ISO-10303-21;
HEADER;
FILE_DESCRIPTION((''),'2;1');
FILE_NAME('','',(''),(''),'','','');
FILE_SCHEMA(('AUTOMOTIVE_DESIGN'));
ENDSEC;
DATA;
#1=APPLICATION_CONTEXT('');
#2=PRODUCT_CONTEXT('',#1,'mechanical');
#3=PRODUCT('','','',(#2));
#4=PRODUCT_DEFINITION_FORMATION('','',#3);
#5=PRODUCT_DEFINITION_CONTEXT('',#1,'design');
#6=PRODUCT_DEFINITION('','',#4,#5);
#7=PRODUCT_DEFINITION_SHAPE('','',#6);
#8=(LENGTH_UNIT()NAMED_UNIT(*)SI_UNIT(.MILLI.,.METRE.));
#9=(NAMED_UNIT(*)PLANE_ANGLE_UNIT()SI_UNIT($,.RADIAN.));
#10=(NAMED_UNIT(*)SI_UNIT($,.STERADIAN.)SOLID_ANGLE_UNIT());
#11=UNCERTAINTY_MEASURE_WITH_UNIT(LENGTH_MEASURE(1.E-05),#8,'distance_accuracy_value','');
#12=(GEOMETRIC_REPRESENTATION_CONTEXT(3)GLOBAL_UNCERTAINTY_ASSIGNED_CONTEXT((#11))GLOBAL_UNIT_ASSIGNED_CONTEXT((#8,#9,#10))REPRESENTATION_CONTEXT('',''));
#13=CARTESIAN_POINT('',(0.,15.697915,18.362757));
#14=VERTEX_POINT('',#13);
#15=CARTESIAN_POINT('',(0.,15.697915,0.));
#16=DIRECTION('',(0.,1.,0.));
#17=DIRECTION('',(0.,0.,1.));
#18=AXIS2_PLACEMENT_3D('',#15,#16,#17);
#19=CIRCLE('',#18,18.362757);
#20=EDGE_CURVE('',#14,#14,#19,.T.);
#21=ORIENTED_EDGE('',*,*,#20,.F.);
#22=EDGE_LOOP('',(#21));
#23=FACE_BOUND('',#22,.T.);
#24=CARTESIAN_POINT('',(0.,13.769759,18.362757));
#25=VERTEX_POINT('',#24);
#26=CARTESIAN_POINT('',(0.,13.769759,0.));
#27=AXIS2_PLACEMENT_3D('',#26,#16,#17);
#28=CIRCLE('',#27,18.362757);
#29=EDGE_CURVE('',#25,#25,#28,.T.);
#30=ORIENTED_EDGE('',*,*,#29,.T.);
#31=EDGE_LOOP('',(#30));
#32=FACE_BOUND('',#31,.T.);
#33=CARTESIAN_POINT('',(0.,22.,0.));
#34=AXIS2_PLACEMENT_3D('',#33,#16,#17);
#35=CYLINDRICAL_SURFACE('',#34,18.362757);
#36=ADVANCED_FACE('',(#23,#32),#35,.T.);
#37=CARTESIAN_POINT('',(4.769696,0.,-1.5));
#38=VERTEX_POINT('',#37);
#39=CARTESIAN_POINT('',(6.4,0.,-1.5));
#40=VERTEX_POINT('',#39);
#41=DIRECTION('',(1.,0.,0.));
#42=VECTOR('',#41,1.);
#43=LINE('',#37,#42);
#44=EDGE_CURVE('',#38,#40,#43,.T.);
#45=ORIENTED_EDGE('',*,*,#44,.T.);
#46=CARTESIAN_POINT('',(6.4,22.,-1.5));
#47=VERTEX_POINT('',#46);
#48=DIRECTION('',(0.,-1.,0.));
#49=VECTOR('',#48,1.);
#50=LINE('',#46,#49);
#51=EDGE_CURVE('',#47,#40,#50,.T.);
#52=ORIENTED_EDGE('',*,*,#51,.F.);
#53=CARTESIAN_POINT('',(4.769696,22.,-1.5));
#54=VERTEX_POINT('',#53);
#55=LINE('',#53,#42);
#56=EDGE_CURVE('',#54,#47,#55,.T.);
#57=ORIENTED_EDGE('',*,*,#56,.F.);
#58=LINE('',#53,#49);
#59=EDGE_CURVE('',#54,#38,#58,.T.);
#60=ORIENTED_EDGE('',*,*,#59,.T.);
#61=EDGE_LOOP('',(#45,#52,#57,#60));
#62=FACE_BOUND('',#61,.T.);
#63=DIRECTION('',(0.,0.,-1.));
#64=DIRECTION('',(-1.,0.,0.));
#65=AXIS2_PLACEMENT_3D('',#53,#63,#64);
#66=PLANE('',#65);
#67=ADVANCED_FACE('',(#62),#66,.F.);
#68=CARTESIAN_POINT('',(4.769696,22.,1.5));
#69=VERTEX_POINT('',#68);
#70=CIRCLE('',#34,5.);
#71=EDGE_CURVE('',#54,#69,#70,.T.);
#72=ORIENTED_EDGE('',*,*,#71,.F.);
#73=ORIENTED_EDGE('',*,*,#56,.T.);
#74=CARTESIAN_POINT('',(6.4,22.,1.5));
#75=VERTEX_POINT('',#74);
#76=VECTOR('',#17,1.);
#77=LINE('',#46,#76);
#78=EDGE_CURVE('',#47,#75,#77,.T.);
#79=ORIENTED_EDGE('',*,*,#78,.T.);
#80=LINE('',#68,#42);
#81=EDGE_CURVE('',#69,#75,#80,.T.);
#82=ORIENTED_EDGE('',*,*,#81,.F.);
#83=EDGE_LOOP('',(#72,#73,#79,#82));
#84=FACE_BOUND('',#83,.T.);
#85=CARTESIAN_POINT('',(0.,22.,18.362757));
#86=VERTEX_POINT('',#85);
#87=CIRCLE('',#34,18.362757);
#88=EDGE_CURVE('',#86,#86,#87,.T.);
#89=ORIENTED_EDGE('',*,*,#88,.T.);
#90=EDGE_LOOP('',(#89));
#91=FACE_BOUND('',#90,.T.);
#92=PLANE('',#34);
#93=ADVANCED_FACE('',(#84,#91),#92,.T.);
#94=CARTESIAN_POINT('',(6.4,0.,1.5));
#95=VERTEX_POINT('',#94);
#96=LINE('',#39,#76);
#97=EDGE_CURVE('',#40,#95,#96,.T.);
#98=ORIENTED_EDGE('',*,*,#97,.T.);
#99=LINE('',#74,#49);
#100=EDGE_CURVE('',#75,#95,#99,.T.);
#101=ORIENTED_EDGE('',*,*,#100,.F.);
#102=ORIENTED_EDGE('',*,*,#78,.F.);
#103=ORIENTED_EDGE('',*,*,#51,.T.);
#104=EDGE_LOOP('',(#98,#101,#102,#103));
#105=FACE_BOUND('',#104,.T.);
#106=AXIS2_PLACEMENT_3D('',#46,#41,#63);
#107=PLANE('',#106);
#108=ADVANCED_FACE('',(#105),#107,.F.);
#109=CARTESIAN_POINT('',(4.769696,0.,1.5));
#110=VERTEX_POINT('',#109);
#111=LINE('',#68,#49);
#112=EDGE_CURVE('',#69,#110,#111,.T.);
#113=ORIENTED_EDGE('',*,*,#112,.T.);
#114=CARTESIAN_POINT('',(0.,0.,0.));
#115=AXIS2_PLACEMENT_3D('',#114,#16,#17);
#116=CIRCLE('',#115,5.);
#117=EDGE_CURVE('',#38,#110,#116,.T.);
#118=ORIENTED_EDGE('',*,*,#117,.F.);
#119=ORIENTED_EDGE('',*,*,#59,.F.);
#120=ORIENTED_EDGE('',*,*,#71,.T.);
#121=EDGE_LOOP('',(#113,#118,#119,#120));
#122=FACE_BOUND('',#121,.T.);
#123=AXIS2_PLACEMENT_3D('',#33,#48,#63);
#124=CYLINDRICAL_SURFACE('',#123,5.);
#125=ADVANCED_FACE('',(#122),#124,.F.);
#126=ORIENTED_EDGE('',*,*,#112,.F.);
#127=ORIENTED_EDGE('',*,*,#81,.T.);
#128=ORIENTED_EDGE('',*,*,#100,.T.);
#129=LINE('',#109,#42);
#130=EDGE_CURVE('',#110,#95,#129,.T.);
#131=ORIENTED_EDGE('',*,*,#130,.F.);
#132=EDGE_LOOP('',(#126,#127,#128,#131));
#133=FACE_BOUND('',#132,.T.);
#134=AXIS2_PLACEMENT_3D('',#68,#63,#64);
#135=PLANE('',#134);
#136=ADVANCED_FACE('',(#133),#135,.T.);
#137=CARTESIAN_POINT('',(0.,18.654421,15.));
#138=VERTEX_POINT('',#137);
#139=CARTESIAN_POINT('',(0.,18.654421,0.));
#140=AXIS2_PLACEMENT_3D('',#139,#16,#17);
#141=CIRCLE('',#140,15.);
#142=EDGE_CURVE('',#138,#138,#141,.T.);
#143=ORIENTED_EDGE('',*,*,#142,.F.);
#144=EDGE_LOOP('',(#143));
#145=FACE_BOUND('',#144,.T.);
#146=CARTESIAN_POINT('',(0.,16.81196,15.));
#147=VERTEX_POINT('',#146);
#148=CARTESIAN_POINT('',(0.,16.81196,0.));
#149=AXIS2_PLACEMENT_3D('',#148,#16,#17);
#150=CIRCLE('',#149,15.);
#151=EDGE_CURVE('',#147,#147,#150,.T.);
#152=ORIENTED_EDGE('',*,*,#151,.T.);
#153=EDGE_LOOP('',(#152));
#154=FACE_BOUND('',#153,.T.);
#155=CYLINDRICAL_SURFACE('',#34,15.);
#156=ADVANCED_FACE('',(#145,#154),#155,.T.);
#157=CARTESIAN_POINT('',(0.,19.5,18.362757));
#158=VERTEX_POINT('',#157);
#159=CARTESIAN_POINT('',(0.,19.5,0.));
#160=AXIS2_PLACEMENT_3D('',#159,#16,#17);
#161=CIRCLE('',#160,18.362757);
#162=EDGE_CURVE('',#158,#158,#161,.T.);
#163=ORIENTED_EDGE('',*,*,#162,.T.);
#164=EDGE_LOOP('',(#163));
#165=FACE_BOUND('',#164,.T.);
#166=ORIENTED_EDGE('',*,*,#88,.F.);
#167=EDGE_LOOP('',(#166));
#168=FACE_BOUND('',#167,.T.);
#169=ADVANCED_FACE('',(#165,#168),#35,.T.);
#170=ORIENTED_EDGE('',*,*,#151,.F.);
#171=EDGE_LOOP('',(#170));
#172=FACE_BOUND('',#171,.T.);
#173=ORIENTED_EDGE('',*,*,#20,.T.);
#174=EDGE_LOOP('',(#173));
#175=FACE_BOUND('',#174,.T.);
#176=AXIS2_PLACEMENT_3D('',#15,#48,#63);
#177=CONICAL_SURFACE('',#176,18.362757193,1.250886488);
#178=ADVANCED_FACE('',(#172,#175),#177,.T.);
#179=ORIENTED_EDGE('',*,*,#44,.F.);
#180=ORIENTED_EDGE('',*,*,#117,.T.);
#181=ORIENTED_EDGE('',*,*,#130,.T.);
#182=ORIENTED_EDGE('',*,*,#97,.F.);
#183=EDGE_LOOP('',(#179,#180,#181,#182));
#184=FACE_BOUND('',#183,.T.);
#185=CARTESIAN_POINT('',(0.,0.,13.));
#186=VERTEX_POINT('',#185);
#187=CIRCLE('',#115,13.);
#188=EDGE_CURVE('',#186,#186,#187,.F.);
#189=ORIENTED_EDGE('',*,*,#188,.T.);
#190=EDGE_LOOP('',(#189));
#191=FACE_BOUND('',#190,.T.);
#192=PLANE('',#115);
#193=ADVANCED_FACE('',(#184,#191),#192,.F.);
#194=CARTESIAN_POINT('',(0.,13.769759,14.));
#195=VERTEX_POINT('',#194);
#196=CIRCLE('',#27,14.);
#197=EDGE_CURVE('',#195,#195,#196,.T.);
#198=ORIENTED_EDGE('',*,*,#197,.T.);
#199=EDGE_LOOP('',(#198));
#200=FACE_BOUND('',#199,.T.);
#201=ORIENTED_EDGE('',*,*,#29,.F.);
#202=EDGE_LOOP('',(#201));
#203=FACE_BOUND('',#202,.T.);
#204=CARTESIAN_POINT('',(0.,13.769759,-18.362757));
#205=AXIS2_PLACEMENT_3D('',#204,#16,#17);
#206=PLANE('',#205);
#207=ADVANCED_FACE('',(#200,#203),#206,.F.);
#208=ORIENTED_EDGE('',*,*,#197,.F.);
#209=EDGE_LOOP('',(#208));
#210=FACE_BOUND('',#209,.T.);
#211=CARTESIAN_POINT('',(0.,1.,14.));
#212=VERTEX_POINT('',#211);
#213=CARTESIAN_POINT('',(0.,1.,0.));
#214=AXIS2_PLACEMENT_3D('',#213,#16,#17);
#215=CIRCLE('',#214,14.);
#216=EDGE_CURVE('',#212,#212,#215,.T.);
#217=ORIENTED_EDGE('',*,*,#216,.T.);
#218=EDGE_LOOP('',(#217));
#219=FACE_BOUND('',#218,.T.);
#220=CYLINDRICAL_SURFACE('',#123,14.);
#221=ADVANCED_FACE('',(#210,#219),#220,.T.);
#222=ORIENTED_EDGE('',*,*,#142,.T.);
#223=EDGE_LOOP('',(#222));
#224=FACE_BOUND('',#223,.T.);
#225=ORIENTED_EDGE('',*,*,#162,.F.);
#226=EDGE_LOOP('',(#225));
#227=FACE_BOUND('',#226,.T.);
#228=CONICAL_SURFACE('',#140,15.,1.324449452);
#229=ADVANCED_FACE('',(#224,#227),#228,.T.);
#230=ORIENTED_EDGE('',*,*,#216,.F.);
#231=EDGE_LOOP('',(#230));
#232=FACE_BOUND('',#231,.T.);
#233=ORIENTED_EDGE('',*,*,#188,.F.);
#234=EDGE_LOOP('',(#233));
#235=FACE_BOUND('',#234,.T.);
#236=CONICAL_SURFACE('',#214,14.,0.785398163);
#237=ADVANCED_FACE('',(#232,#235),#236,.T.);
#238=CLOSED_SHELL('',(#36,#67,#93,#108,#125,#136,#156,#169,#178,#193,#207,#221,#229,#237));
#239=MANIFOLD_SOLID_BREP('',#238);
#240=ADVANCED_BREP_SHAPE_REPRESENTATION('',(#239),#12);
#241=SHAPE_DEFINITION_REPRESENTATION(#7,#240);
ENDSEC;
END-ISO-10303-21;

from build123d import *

# Parameters (mm, degrees)
SKETCH1_R           = 14
BOSS_EXTRUDE2_DEPTH = 22
CHAMFER1_SIZE       = 1


with BuildPart() as part:
    # Sketch1 → Boss-Extrude2 (new body)
    with BuildSketch(Plane(origin=(0, 0, 0), x_dir=(1, 0, 0), z_dir=(0, 1, 0))):
        Circle(SKETCH1_R)
        with BuildLine():
            Line((4.769696007, -1.5), (6.4, -1.5))
            Line((6.4, -1.5), (6.4, 1.5))
            Line((6.4, 1.5), (4.769696007, 1.5))
            ThreePointArc((4.769696007, 1.5), (-5, 0), (4.769696007, -1.5))
        make_face(mode=Mode.SUBTRACT)
    extrude(amount=BOSS_EXTRUDE2_DEPTH)

    # Chamfer1
    chamfer1_edges = [part.edges().sort_by_distance(p)[0] for p in [
        (-14, 0, 0),
    ]]
    chamfer(chamfer1_edges, length=CHAMFER1_SIZE)

    # Sketch2 → Revolve1 (revolve)
    with BuildSketch(Plane(origin=(0, 0, 0), x_dir=(0, 0, -1), z_dir=(1, 0, 0))):
        Polygon((14, 22), (18.362757193, 22), (18.362757193, 19.5), (15, 18.654420503), (15, 16.811960425), (18.362757193, 15.697914797), (18.362757193, 13.769758902), (14, 13.769758902), align=None)
    revolve(axis=Axis((0, 22, 0), (0, -1, 0)))


solid = part.part
